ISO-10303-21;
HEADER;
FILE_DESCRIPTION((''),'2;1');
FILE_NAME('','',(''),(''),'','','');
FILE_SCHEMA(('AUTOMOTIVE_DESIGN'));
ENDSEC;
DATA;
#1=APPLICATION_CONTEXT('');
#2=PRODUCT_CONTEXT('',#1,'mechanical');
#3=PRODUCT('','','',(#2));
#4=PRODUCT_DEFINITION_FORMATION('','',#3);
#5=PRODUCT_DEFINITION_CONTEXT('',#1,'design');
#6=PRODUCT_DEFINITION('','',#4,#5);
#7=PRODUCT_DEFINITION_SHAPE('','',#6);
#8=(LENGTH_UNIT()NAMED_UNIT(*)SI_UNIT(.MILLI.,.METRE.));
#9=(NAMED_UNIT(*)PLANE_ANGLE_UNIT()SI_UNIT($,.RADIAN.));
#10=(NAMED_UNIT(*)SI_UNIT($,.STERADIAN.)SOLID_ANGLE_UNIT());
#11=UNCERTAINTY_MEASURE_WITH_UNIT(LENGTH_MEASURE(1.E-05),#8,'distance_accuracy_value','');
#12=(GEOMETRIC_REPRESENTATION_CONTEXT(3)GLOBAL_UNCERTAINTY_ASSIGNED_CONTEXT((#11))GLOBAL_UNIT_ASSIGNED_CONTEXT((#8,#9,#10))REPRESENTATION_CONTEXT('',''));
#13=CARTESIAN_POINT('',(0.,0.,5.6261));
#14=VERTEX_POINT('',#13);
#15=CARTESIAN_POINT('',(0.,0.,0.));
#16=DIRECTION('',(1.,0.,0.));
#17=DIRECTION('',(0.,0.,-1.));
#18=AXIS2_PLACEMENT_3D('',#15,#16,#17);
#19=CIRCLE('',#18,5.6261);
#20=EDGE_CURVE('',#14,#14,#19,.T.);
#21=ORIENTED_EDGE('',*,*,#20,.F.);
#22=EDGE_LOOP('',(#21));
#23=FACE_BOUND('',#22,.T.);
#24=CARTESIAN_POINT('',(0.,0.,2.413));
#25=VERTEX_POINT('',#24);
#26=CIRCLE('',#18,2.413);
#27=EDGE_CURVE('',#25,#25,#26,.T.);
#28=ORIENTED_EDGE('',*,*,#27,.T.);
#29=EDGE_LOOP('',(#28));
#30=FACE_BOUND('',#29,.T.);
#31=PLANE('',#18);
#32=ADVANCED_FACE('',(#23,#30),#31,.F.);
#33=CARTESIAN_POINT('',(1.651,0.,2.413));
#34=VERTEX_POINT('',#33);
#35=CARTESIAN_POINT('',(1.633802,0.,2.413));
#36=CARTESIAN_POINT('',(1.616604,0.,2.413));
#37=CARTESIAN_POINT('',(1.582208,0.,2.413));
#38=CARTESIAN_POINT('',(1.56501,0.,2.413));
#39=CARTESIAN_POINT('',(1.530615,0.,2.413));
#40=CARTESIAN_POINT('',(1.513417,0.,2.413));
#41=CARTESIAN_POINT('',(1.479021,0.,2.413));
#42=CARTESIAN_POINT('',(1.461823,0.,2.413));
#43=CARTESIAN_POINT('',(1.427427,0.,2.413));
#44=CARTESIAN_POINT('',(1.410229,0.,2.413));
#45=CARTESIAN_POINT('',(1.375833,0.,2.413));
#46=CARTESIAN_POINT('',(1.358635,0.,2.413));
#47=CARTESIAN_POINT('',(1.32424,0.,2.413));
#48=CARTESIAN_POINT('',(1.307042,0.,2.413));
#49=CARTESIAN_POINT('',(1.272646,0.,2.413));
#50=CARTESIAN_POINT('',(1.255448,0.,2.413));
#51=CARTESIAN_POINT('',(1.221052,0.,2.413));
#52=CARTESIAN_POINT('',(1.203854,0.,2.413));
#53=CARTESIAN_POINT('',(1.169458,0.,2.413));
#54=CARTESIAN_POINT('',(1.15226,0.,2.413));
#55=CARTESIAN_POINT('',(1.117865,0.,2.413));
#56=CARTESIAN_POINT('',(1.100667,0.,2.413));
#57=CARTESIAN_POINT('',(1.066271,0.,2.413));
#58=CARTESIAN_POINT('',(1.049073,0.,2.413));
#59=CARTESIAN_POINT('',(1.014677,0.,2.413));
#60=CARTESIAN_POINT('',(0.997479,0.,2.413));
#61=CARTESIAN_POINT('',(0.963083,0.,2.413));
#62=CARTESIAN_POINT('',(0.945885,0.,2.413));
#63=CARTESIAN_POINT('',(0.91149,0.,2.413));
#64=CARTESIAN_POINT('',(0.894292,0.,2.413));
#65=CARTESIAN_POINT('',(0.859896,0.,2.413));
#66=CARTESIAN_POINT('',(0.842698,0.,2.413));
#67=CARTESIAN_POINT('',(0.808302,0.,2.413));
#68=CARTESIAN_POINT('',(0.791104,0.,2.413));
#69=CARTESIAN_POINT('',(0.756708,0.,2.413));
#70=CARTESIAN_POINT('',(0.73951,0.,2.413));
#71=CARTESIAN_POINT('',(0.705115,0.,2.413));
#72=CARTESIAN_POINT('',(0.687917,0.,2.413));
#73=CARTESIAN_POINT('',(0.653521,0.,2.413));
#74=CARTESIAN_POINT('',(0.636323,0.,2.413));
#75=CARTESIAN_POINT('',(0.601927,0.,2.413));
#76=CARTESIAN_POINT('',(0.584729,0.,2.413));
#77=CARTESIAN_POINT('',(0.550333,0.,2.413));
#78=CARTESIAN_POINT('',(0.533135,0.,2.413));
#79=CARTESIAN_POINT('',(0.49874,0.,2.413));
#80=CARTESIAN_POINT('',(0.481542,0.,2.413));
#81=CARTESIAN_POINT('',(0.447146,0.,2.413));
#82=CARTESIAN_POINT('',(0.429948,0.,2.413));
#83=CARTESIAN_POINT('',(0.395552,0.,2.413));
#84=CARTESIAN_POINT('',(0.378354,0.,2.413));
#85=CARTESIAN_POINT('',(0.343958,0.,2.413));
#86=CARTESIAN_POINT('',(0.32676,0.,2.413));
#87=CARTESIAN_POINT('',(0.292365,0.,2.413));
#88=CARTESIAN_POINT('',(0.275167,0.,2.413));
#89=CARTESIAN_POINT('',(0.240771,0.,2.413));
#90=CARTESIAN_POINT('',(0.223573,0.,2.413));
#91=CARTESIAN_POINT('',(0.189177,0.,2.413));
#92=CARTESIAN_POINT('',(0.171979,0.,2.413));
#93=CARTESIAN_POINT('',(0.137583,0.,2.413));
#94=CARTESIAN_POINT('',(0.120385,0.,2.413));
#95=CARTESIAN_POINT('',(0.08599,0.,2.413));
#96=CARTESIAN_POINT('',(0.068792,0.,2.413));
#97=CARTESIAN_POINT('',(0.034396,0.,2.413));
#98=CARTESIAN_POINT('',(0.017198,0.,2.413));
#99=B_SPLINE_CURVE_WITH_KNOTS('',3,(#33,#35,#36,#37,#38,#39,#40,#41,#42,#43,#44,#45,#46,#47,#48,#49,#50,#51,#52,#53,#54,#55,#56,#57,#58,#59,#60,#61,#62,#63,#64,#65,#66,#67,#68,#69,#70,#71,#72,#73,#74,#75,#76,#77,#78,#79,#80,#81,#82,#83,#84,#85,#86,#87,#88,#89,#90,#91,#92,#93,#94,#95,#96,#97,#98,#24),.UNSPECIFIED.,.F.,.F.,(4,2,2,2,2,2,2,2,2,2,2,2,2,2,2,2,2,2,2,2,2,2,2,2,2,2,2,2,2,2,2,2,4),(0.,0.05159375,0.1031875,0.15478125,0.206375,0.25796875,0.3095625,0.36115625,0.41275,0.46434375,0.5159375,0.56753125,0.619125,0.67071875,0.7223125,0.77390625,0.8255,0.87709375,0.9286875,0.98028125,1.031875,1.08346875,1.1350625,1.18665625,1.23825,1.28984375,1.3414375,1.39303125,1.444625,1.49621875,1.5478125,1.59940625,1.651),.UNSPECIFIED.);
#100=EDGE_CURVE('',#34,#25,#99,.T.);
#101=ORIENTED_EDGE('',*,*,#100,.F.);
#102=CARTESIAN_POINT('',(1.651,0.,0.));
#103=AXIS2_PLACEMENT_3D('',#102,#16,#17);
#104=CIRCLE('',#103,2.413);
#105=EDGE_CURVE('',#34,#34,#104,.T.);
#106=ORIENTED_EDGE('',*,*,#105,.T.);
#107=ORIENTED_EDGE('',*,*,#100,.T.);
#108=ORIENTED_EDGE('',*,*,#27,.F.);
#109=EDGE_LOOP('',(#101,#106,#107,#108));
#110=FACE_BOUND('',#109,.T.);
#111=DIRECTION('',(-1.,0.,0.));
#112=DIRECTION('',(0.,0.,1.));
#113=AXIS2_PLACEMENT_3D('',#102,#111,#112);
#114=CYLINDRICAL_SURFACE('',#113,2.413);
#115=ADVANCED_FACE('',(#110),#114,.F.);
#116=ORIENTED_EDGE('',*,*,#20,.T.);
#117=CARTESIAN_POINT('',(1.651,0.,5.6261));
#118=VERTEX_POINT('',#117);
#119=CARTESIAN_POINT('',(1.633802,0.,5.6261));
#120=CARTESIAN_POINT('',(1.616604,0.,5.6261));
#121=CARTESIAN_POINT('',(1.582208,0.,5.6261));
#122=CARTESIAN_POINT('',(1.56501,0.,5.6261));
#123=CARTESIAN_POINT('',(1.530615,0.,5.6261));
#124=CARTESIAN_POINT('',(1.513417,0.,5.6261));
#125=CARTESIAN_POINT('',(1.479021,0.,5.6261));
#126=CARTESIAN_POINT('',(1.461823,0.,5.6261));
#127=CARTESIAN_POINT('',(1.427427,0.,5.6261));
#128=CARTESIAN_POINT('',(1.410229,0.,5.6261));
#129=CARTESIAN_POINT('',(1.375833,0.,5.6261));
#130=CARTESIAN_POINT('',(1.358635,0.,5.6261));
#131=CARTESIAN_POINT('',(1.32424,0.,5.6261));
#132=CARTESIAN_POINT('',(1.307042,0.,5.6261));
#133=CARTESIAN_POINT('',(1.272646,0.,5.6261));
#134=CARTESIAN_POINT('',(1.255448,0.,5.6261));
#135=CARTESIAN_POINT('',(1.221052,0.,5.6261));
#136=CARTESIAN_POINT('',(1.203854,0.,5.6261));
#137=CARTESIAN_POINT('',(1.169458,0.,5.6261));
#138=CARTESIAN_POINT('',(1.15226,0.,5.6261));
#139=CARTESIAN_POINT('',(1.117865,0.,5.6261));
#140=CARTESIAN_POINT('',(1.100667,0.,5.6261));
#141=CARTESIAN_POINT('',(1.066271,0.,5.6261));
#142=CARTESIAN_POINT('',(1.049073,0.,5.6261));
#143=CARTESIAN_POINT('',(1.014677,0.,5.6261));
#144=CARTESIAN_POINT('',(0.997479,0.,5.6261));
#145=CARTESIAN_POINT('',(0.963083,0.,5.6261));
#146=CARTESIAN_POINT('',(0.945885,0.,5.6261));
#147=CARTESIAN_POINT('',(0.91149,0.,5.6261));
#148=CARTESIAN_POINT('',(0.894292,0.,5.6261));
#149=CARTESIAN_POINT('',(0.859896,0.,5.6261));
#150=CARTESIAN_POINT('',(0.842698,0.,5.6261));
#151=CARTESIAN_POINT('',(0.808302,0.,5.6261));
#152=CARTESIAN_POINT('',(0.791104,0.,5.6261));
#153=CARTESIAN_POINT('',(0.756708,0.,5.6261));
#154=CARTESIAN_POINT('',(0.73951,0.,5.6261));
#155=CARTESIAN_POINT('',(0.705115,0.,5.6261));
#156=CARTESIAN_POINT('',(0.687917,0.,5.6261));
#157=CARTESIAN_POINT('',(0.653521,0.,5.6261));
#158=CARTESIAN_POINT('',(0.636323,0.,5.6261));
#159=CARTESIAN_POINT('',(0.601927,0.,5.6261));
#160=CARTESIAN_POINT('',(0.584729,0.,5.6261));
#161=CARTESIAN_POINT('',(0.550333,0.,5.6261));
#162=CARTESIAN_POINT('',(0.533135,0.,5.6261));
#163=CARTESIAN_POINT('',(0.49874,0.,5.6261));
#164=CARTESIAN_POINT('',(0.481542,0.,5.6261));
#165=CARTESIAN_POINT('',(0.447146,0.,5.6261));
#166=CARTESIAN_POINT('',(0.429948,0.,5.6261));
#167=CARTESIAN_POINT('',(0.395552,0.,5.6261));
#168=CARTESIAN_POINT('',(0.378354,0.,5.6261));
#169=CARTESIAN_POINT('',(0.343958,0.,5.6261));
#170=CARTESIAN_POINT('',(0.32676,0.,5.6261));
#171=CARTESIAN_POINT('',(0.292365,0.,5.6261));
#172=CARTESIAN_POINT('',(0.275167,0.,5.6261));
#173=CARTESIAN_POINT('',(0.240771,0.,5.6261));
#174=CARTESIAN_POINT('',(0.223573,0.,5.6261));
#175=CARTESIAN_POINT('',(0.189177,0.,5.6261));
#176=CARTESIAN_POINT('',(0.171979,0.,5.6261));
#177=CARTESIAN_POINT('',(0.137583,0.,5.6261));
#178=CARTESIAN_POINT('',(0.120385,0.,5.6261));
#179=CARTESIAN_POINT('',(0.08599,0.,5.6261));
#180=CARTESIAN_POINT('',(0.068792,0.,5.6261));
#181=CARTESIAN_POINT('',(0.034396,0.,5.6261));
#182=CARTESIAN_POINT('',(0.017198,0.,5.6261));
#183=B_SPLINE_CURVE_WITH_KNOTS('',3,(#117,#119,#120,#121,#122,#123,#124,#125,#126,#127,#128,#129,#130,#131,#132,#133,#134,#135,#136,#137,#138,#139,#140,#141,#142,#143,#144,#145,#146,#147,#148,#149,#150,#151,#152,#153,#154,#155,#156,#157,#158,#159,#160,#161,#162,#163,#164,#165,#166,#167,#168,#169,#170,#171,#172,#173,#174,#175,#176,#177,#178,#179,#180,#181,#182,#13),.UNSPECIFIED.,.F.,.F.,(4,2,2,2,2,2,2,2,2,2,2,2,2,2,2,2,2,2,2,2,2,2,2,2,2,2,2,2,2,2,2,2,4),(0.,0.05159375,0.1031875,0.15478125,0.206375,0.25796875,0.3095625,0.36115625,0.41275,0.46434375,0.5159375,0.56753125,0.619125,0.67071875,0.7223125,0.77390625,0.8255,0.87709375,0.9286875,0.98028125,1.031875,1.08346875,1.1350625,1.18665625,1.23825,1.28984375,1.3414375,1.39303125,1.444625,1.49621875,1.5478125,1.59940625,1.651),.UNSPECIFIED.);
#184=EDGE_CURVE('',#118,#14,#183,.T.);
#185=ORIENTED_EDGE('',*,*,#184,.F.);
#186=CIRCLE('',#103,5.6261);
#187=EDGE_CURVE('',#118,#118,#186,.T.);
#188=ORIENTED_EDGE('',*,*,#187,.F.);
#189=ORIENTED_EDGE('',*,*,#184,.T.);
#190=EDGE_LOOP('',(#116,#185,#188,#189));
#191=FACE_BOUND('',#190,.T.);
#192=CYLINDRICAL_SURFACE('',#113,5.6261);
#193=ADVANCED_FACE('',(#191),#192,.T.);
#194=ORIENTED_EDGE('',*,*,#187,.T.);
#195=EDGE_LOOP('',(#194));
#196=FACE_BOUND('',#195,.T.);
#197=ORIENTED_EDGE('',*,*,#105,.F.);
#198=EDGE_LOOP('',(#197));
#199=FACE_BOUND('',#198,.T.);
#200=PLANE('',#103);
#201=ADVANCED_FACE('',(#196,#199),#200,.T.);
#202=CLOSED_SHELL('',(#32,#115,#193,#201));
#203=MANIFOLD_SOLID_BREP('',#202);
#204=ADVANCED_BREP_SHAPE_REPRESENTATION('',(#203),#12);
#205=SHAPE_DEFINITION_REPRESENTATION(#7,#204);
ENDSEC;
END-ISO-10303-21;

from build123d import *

# Parameters (mm, degrees)
SKETCH1_R           = 5.6261
SKETCH1_R_2         = 2.413
BOSS_EXTRUDE1_DEPTH = 1.651


with BuildPart() as part:
    # Sketch1 → Boss-Extrude1 (new body)
    with BuildSketch(Plane(origin=(0, 0, 0), x_dir=(0, 0, -1), z_dir=(1, 0, 0))):
        with Locations(Location((0, 0, 0), (0, 0, 180))):
            Circle(SKETCH1_R)
        with Locations(Location((0, 0, 0), (0, 0, 180))):
            Circle(SKETCH1_R_2, mode=Mode.SUBTRACT)
    extrude(amount=BOSS_EXTRUDE1_DEPTH)


solid = part.part
